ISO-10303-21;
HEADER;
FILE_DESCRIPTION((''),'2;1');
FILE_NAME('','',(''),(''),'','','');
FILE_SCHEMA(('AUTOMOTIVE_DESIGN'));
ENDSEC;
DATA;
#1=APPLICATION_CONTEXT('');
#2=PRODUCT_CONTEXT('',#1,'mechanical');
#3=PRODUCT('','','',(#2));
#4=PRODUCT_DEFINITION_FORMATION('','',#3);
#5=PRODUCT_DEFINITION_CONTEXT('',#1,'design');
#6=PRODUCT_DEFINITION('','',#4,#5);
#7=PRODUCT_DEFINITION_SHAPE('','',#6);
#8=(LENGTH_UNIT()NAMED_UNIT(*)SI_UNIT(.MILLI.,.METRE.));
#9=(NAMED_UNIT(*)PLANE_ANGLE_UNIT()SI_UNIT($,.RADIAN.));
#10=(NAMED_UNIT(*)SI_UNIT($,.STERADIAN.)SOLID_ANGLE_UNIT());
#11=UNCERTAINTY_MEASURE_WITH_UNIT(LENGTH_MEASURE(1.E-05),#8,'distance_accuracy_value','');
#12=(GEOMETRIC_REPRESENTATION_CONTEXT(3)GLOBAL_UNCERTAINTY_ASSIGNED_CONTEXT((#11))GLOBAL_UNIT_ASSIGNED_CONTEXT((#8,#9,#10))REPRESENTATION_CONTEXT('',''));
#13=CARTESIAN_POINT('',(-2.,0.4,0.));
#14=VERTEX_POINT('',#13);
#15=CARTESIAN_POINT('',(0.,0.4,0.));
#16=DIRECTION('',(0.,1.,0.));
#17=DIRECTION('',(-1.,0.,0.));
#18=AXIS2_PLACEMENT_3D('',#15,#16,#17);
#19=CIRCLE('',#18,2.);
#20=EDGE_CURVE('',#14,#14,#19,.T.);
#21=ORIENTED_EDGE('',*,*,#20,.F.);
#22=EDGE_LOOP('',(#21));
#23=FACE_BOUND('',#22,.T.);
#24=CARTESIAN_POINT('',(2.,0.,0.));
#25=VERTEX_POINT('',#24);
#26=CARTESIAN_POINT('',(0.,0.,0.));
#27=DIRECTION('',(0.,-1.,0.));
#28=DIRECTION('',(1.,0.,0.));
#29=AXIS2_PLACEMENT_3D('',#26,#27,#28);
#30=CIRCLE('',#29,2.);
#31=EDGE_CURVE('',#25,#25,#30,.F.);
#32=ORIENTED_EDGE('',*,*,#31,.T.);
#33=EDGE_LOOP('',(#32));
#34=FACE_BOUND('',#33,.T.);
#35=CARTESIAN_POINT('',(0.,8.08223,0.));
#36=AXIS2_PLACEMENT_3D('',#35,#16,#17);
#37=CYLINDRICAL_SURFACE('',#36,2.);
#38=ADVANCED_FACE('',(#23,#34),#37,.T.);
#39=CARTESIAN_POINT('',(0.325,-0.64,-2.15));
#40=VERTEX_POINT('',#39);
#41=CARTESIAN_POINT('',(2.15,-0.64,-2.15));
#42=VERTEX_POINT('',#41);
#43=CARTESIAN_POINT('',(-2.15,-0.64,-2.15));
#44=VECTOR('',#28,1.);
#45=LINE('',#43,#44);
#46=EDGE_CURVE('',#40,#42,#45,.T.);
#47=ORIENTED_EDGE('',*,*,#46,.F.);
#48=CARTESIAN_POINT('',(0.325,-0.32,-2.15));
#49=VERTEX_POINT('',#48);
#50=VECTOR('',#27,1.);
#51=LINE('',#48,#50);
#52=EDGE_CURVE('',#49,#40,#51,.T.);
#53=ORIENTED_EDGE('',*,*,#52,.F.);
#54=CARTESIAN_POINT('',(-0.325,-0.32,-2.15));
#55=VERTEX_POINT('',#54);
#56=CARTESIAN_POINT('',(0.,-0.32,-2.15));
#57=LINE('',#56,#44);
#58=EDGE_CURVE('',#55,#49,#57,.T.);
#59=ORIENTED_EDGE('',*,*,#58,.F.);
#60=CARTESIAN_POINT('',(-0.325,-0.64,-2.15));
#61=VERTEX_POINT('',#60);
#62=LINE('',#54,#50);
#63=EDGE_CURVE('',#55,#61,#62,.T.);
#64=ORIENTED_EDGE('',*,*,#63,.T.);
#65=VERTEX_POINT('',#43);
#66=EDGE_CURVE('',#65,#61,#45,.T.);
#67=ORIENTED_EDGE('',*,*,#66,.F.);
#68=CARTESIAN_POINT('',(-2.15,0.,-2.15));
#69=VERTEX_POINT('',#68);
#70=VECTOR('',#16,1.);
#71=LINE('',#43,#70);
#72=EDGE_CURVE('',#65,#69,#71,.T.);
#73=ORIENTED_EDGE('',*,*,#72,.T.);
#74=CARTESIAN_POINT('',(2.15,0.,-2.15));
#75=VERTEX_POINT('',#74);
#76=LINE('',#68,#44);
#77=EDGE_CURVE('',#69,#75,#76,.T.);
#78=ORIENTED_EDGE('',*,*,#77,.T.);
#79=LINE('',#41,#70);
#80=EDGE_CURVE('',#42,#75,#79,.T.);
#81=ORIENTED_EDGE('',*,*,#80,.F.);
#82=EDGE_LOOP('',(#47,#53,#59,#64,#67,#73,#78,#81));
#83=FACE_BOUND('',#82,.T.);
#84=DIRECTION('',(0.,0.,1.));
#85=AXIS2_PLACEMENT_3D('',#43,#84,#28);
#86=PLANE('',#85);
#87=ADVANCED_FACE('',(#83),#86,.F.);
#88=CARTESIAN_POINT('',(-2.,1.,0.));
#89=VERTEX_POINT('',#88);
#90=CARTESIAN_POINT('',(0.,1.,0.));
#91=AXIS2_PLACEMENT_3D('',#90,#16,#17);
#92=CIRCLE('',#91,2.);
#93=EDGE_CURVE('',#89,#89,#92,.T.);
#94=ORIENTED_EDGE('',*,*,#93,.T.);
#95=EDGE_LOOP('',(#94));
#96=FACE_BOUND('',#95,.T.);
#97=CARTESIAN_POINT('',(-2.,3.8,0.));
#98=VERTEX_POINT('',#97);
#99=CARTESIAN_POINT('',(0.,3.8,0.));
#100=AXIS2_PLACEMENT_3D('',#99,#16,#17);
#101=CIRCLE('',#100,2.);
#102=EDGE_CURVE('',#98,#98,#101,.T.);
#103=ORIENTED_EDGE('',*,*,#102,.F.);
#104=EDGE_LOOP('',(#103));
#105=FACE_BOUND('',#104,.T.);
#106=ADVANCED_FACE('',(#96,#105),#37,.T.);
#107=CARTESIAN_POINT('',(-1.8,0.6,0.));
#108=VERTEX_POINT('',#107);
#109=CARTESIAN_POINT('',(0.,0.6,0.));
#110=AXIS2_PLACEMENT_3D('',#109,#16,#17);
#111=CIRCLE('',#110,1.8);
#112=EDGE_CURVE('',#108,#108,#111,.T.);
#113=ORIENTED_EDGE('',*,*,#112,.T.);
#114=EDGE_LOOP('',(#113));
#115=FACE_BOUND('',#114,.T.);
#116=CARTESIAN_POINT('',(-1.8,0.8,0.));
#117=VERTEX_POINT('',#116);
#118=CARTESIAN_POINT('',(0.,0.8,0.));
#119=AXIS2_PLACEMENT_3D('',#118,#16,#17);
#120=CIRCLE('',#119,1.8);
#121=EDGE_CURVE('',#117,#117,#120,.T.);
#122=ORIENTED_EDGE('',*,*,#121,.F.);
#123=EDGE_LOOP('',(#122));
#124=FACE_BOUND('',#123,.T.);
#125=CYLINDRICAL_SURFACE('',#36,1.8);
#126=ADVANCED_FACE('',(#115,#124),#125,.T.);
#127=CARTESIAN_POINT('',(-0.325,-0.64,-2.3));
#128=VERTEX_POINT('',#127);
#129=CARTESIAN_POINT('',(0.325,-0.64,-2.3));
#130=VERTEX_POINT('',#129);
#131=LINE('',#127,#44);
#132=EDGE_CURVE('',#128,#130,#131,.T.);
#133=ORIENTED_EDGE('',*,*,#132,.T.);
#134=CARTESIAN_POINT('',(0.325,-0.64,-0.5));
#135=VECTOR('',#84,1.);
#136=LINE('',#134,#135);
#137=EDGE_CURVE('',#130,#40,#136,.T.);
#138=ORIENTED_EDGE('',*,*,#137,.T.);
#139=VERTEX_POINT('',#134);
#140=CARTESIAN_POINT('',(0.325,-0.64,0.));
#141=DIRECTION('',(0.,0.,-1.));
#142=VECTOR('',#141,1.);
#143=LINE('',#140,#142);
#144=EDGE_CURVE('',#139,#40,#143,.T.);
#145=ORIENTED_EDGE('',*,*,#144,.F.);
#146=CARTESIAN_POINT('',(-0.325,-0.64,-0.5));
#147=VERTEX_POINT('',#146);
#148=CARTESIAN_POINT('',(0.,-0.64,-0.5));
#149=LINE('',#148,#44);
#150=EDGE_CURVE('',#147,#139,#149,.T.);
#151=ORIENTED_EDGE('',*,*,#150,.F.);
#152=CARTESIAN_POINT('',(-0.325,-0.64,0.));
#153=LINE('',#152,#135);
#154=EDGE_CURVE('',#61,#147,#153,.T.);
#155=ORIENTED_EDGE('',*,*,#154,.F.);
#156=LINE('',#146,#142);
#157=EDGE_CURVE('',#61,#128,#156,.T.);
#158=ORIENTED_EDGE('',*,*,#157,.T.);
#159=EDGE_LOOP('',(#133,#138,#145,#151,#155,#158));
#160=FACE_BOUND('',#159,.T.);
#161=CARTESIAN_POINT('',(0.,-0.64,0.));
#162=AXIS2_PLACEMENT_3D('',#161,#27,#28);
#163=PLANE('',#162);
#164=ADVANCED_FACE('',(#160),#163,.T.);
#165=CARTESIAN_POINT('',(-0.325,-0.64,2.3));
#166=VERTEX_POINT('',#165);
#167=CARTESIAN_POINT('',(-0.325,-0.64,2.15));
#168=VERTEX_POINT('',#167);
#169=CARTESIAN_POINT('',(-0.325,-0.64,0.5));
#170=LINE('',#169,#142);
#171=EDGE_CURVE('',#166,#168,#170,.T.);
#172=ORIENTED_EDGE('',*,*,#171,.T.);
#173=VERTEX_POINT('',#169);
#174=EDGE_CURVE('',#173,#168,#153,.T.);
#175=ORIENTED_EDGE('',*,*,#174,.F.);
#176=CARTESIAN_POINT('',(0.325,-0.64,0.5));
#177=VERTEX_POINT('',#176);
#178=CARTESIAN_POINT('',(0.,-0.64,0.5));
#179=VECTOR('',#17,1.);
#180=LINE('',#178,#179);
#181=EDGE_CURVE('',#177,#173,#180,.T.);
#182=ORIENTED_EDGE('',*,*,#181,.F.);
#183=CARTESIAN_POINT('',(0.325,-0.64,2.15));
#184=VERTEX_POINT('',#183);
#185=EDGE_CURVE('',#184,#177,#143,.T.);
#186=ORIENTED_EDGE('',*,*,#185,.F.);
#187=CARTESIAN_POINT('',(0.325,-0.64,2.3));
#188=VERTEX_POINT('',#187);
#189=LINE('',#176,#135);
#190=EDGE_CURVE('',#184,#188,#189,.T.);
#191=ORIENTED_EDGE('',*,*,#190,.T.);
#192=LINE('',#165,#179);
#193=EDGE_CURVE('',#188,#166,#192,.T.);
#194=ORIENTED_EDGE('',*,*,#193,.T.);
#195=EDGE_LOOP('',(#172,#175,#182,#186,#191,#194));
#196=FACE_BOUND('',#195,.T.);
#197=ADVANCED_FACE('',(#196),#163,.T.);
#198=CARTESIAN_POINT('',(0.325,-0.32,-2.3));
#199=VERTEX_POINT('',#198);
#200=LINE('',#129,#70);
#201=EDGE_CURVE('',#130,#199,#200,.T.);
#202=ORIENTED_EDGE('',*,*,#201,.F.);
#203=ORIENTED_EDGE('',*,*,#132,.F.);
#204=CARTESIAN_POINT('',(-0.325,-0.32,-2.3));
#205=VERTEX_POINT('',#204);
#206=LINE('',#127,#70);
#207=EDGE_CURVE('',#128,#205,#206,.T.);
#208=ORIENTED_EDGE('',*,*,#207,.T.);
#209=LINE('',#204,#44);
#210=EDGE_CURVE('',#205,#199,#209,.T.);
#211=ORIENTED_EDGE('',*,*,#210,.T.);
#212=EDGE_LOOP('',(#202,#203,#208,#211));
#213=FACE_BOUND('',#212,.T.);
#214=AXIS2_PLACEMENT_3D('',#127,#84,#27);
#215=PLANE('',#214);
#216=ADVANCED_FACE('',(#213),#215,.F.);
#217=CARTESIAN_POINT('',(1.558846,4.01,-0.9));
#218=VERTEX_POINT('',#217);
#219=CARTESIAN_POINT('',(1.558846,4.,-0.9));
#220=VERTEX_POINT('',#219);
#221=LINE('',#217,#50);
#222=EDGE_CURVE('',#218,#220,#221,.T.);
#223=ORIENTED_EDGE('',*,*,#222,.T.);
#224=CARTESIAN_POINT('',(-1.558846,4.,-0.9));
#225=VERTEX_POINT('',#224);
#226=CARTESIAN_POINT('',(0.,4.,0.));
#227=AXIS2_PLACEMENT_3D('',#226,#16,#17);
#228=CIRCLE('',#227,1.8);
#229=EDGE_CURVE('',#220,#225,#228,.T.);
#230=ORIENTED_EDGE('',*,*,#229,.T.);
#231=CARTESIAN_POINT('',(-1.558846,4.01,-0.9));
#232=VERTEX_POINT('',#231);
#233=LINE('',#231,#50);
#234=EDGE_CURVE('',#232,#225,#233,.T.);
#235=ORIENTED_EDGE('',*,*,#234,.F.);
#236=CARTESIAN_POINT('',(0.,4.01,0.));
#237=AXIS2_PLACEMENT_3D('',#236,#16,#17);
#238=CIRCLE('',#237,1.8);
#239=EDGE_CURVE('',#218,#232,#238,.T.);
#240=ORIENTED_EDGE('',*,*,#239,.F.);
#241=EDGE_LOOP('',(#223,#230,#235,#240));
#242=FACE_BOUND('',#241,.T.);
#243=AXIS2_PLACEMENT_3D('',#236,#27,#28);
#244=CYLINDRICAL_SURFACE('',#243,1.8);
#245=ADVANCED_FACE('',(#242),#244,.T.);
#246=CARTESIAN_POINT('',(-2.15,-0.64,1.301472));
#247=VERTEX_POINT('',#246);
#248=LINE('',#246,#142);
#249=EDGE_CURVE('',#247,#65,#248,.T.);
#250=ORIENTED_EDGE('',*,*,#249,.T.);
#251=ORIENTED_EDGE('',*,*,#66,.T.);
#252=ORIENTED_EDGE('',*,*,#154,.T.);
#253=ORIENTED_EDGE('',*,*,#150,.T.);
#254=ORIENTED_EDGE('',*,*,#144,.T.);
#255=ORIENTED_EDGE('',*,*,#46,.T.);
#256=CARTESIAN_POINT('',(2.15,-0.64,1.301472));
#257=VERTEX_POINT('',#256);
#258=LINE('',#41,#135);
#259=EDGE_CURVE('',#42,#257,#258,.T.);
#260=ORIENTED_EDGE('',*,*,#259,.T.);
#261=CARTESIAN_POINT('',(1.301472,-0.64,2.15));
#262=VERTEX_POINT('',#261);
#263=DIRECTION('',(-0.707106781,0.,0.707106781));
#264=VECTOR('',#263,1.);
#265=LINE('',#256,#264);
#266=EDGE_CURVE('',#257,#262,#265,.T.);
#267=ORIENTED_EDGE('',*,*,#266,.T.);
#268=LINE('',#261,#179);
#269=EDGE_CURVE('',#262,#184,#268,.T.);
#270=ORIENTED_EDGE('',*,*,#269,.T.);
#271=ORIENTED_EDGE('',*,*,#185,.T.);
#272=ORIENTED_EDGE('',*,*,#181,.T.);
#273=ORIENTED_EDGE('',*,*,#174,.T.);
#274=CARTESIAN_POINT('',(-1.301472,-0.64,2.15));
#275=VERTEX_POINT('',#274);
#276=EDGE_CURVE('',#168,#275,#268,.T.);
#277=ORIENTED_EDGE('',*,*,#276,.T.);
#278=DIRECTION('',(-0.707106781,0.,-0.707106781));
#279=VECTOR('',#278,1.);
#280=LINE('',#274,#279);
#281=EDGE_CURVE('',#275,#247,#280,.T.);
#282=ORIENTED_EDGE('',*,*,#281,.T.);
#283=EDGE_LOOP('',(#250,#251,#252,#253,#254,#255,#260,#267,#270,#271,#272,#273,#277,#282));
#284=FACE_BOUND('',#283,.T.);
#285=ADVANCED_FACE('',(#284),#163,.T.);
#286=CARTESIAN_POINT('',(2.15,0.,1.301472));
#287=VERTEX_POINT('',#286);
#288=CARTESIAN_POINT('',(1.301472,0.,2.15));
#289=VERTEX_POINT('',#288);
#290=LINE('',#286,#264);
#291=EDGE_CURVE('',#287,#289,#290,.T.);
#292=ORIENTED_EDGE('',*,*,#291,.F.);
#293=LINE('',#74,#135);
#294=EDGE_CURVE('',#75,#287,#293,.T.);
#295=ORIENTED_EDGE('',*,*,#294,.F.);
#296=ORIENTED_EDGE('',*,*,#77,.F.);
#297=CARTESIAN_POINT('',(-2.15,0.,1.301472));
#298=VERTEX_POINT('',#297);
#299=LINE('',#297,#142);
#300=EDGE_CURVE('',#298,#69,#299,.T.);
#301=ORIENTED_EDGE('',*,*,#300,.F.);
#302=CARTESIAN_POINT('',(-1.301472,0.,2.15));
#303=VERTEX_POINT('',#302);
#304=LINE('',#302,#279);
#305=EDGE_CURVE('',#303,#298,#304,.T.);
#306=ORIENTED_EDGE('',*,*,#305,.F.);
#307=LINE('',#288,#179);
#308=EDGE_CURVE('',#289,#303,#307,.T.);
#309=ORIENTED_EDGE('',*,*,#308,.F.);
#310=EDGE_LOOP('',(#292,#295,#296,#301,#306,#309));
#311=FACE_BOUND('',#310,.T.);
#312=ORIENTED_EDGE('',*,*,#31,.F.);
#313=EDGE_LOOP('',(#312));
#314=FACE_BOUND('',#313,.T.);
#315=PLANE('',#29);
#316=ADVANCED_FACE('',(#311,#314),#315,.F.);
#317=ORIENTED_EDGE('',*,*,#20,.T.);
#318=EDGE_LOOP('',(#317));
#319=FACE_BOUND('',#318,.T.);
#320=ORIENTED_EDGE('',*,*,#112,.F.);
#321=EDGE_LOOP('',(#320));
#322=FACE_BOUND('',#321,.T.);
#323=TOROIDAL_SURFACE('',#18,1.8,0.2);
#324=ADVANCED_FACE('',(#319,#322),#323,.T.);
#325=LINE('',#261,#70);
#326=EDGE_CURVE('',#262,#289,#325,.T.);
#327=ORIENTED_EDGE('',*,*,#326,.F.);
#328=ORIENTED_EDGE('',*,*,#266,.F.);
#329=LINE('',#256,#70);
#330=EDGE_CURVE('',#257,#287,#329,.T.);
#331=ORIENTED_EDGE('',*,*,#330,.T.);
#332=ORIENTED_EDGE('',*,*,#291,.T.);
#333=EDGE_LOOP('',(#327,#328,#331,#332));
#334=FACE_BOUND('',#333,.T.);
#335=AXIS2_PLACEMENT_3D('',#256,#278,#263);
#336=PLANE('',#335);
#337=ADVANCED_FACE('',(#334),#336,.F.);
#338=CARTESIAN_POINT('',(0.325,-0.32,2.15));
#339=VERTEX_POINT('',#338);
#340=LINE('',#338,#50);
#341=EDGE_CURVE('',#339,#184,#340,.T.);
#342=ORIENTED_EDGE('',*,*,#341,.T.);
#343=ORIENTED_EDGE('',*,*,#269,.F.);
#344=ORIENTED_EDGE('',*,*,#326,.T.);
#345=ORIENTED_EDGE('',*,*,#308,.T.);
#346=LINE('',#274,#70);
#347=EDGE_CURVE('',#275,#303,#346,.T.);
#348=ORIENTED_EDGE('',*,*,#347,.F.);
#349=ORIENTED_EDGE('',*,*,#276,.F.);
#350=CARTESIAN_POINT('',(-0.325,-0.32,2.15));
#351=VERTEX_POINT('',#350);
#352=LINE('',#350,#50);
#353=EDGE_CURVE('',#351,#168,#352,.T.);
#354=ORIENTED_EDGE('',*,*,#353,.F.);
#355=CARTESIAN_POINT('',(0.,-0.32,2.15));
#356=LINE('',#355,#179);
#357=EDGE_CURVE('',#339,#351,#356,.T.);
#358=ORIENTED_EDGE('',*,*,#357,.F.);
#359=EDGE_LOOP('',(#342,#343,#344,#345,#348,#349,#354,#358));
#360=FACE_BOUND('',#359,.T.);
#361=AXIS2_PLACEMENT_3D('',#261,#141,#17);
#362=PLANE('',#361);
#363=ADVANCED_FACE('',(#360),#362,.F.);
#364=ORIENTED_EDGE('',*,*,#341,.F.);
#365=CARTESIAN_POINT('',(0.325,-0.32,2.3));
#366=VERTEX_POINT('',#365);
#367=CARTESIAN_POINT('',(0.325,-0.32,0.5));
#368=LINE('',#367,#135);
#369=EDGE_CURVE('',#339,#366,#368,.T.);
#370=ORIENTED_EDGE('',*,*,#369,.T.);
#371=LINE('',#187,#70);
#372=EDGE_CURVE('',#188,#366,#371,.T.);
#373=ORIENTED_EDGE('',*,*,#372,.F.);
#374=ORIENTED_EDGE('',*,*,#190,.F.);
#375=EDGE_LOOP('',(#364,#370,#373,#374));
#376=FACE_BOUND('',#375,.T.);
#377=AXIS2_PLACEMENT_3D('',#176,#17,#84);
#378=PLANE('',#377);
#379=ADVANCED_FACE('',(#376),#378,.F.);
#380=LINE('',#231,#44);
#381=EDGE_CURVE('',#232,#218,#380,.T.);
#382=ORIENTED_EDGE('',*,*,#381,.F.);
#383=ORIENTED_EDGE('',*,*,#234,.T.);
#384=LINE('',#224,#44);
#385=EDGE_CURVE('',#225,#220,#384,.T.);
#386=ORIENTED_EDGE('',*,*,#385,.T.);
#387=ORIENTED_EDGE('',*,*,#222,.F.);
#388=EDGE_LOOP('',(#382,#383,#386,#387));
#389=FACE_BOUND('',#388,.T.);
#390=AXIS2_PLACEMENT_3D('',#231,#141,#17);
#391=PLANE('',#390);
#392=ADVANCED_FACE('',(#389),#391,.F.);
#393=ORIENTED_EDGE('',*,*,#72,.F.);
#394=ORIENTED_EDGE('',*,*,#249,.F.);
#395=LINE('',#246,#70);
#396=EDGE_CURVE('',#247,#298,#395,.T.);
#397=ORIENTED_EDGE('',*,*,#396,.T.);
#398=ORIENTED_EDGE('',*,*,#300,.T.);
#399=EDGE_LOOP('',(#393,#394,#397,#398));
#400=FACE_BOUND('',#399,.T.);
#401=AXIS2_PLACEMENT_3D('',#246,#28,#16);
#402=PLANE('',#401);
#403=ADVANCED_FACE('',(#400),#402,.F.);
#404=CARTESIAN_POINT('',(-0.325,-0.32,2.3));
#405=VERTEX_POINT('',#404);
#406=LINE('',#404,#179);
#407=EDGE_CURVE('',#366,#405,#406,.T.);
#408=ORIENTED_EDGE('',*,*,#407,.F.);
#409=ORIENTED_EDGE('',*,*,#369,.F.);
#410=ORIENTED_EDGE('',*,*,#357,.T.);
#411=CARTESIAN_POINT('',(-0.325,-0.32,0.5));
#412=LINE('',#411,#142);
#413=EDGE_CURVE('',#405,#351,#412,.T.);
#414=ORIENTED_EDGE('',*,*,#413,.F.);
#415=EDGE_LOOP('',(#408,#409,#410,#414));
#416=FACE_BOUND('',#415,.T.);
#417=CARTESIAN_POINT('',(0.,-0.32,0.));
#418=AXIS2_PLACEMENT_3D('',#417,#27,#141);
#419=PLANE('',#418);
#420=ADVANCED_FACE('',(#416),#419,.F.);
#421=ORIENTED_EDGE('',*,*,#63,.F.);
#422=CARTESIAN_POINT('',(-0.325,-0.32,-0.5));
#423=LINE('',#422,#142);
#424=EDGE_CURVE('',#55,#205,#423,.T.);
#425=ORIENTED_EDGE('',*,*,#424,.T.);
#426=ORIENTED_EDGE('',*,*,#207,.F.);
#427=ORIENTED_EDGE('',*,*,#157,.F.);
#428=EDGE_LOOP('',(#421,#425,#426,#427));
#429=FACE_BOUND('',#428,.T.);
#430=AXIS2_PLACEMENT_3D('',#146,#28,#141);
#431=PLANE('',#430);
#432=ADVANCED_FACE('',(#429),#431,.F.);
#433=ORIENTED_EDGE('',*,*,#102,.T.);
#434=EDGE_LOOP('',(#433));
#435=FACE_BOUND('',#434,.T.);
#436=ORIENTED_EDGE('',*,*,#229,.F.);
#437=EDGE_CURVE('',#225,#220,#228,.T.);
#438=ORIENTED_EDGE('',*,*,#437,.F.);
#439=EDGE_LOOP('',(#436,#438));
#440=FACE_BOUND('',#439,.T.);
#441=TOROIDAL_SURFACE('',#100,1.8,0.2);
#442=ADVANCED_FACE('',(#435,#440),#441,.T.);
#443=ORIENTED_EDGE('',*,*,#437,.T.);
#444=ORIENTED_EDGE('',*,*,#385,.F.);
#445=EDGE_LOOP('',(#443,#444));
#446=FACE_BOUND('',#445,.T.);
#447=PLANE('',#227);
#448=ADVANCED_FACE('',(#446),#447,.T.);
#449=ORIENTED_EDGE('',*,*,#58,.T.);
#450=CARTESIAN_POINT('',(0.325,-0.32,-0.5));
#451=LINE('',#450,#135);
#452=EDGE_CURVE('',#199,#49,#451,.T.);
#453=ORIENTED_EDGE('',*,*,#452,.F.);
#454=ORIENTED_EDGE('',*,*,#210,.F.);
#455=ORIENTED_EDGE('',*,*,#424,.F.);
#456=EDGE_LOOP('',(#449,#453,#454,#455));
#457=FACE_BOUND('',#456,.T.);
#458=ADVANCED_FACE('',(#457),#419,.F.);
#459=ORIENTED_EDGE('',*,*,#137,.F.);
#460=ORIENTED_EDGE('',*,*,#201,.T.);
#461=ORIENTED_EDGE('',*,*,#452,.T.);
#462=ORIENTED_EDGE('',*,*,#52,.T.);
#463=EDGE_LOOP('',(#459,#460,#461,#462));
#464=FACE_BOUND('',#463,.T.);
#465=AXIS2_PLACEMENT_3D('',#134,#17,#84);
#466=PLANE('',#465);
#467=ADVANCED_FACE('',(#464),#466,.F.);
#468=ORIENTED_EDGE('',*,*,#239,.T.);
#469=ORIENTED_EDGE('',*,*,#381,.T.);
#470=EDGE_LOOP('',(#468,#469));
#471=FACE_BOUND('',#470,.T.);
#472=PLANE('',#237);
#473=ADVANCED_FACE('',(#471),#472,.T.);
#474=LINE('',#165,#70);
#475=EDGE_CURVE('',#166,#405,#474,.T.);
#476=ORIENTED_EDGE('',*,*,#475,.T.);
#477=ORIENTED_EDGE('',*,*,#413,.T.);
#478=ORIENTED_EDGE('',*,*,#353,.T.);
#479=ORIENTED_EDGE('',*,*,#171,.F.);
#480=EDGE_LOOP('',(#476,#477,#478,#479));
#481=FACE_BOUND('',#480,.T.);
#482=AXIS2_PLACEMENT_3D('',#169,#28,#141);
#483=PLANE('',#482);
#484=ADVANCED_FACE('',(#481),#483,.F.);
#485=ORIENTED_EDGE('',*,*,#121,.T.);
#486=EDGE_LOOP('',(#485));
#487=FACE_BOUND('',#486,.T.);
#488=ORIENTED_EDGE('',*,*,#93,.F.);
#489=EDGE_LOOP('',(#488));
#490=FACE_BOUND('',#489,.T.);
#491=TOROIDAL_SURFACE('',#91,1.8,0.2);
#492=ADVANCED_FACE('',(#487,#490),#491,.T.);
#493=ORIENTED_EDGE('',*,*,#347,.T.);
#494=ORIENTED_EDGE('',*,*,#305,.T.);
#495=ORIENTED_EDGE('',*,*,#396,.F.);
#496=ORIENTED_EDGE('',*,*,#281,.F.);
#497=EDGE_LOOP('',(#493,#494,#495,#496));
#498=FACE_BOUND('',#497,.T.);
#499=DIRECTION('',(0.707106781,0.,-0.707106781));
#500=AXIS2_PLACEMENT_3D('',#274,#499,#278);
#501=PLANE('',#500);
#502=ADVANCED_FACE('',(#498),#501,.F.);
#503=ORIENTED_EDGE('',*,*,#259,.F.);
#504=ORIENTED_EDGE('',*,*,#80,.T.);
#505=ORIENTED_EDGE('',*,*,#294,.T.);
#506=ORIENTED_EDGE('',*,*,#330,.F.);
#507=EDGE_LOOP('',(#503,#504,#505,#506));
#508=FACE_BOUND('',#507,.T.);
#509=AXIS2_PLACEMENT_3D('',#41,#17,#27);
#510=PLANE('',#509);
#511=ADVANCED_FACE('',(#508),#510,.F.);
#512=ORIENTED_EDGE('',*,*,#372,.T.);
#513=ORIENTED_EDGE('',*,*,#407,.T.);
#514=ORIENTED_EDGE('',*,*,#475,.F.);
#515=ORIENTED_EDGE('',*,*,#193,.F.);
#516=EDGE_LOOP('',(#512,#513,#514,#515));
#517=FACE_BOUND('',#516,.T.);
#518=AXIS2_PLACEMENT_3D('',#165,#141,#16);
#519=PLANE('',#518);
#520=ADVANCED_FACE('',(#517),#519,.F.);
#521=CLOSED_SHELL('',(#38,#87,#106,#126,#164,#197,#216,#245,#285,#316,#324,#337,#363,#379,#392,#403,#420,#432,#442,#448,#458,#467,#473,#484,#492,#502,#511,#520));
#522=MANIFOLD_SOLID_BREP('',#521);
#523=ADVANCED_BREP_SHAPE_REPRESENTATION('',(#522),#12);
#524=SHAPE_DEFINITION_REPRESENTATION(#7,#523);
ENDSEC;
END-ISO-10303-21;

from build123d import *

# Parameters (mm, degrees)
BOSS_EXTRUDE1_DEPTH = 0.01
BOSS_EXTRUDE2_DEPTH = 0.64
CUT_EXTRUDE1_START  = 0.64
CUT_EXTRUDE1_DEPTH  = 0.32
SKETCH4_W           = 0.65
SKETCH4_H           = 1.8
BOSS_EXTRUDE3_DEPTH = 0.32


with BuildPart() as part:
    # Sketch1 → Revolve1 (revolve)
    with BuildSketch(Plane.XY):
        with BuildLine():
            Line((0, 4), (-1.8, 4))
            ThreePointArc((-1.8, 4), (-1.941421356, 3.941421356), (-2, 3.8))
            Line((-2, 3.8), (-2, 1))
            ThreePointArc((-2, 1), (-1.941421356, 0.858578644), (-1.8, 0.8))
            Line((-1.8, 0.8), (-1.8, 0.6))
            ThreePointArc((-1.8, 0.6), (-1.941421356, 0.541421356), (-2, 0.4))
            Line((-2, 0.4), (-2, 0))
            Line((-2, 0), (0, 0))
            Line((0, 0), (0, 4))
        make_face()
    revolve(axis=Axis((0, 8.082229881, 0), (0, -1, 0)))

    # Sketch2 → Boss-Extrude1 (add)
    with BuildSketch(Plane(origin=(0, 4, 0), x_dir=(1, 0, 0), z_dir=(0, 1, 0))):
        with BuildLine():
            Line((-1.558845727, 0.9), (1.558845727, 0.9))
            ThreePointArc((1.558845727, 0.9), (0, 1.8), (-1.558845727, 0.9))
        make_face()
    extrude(amount=BOSS_EXTRUDE1_DEPTH)

    # Sketch3 → Boss-Extrude2 (add)
    with BuildSketch(Plane(origin=(0, 0, 0), x_dir=(-1, 0, 0), z_dir=(0, -1, 0))):
        Polygon((1.301471863, -2.15), (2.15, -1.301471863), (2.15, 2.15), (-2.15, 2.15), (-2.15, -1.301471863), (-1.301471863, -2.15), align=None)
    extrude(amount=BOSS_EXTRUDE2_DEPTH)

    # Sketch3<3> → Cut-Extrude1 (cut)
    with BuildSketch(Plane(origin=(0, 0, 0), x_dir=(-1, 0, 0), z_dir=(0, -1, 0)).offset(CUT_EXTRUDE1_START)):
        with BuildLine():
            Line((0.325, 0.5), (0.325, 1.973417087))
            ThreePointArc((0.325, 1.973417087), (0, 2), (-0.325, 1.973417087))
            Line((-0.325, 1.973417087), (-0.325, 0.5))
            Line((-0.325, 0.5), (0.325, 0.5))
        make_face()
        with BuildLine():
            ThreePointArc((-0.325, -1.973417087), (0, -2), (0.325, -1.973417087))
            Line((0.325, -1.973417087), (0.325, -0.5))
            Line((0.325, -0.5), (-0.325, -0.5))
            Line((-0.325, -0.5), (-0.325, -1.973417087))
        make_face()
        with BuildLine():
            Line((0.325, 1.973417087), (0.325, 2.15))
            Line((0.325, 2.15), (-0.325, 2.15))
            Line((-0.325, 2.15), (-0.325, 1.973417087))
            ThreePointArc((-0.325, 1.973417087), (0, 2), (0.325, 1.973417087))
        make_face()
        with BuildLine():
            Line((-0.325, -2.15), (0.325, -2.15))
            Line((0.325, -2.15), (0.325, -1.973417087))
            ThreePointArc((0.325, -1.973417087), (0, -2), (-0.325, -1.973417087))
            Line((-0.325, -1.973417087), (-0.325, -2.15))
        make_face()
    extrude(amount=-CUT_EXTRUDE1_DEPTH, mode=Mode.SUBTRACT)

    # Sketch4 → Boss-Extrude3 (add)
    with BuildSketch(Plane.XZ.offset(0.32)):
        with Locations((0, -1.4)):
            Rectangle(SKETCH4_W, SKETCH4_H)
        with Locations((0, 1.4)):
            Rectangle(SKETCH4_W, SKETCH4_H)
    extrude(amount=BOSS_EXTRUDE3_DEPTH)


solid = part.part
